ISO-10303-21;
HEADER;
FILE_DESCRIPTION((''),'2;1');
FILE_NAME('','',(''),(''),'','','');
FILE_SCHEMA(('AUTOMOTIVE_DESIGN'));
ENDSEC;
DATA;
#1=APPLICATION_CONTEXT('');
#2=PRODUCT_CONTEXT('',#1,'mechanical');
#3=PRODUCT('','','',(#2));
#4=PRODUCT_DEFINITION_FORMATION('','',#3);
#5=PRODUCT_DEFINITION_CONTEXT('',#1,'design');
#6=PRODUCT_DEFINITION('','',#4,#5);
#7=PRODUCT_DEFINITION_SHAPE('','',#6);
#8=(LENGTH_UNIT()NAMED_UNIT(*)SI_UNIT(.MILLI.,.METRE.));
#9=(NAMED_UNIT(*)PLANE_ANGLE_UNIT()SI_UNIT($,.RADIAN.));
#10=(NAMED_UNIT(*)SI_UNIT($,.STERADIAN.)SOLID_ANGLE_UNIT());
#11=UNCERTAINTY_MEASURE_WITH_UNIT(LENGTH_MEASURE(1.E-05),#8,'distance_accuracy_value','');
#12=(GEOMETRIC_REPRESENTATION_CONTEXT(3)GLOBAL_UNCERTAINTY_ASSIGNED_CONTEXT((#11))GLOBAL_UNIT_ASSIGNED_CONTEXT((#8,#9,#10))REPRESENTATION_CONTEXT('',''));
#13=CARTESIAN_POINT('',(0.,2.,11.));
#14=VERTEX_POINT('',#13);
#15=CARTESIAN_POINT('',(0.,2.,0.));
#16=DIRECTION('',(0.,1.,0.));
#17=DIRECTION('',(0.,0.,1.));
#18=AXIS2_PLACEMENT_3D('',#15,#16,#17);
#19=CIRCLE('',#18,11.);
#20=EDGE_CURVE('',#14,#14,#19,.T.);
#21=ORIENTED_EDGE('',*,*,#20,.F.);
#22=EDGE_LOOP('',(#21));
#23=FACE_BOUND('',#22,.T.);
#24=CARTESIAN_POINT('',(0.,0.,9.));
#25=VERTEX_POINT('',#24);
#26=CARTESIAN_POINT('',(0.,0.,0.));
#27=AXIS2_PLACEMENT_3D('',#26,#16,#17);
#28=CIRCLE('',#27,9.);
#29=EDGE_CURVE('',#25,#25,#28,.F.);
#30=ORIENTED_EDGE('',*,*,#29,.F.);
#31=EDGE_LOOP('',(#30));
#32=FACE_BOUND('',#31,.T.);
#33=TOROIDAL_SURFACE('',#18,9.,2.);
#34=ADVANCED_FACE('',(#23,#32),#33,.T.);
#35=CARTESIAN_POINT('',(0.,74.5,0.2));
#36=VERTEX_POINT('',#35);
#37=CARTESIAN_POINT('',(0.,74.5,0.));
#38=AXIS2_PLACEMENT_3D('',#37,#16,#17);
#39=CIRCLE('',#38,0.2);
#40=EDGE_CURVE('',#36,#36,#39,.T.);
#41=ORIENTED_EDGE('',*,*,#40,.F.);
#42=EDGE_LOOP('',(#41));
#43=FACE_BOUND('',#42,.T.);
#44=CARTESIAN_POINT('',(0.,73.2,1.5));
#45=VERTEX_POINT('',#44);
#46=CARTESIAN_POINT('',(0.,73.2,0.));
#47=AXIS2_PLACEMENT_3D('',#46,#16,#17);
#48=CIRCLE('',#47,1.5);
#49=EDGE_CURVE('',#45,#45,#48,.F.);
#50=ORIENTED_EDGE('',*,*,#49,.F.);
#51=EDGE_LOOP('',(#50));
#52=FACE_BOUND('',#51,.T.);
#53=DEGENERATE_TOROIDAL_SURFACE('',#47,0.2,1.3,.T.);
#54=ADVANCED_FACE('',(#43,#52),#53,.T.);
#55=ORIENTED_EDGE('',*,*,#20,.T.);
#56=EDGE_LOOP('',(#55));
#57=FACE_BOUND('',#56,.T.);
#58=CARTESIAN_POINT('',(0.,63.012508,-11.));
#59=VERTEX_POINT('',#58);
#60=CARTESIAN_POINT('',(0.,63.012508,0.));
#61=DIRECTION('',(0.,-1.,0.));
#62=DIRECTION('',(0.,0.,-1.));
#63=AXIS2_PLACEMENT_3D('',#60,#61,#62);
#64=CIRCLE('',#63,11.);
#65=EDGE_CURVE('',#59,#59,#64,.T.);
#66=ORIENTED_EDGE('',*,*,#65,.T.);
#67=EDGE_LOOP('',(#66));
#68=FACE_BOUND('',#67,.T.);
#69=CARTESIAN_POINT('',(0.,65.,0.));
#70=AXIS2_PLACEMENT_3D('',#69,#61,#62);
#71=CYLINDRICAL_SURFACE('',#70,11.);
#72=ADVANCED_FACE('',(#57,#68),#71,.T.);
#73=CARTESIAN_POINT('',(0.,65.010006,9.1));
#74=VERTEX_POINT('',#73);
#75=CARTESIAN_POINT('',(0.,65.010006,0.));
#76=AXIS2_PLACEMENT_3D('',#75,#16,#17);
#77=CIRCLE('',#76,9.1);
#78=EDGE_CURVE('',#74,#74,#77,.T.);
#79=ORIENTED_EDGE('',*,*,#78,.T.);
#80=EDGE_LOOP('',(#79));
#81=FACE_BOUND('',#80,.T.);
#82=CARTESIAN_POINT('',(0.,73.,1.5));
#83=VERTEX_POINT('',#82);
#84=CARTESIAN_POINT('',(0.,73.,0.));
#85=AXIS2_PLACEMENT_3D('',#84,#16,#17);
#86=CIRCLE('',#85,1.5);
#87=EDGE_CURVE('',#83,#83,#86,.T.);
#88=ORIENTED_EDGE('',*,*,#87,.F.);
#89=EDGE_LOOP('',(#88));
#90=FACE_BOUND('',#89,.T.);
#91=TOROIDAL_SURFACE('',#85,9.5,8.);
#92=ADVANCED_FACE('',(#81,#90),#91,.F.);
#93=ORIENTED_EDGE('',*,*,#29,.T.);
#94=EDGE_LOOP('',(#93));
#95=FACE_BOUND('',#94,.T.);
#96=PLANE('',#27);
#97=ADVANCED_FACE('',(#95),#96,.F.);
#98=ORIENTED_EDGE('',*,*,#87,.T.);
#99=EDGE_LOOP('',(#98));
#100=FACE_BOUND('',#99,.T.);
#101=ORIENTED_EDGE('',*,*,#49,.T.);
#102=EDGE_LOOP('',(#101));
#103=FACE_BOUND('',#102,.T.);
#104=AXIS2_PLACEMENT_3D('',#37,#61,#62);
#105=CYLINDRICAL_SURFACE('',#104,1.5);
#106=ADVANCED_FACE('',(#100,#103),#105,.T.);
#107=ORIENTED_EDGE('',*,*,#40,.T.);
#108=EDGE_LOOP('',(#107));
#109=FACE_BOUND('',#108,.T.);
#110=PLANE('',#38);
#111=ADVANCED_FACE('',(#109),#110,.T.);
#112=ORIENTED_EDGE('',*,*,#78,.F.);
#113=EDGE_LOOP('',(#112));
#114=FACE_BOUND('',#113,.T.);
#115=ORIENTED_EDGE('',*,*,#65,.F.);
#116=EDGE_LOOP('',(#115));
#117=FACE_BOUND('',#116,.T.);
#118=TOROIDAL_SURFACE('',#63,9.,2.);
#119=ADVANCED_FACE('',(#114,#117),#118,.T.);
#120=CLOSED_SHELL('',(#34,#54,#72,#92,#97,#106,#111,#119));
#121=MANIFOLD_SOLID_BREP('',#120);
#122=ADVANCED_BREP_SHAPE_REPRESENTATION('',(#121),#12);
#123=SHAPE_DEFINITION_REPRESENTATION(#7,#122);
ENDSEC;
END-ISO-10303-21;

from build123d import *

# Parameters (mm, degrees)
SKETCH1_R           = 11
BOSS_EXTRUDE1_DEPTH = 65
SKETCH2_R           = 1.5
BOSS_EXTRUDE2_DEPTH = 9.5
FILLET1_R           = 1.3
FILLET2_R           = 8
FILLET3_R           = 2
FILLET4_R           = 2


with BuildPart() as part:
    # Sketch1 → Boss-Extrude1 (new body)
    with BuildSketch(Plane(origin=(0, 0, 0), x_dir=(1, 0, 0), z_dir=(0, 1, 0))):
        Circle(SKETCH1_R)
    extrude(amount=BOSS_EXTRUDE1_DEPTH)

    # Sketch2 → Boss-Extrude2 (add)
    with BuildSketch(Plane(origin=(0, 65, 0), x_dir=(1, 0, 0), z_dir=(0, 1, 0))):
        Circle(SKETCH2_R)
    extrude(amount=BOSS_EXTRUDE2_DEPTH)

    # Fillet1
    fillet1_edges = [part.edges().sort_by_distance(p)[0] for p in [
        (-1.5, 74.5, 0),
    ]]
    fillet(fillet1_edges, radius=FILLET1_R)

    # Fillet2
    fillet2_edges = [part.edges().sort_by_distance(p)[0] for p in [
        (-1.5, 65, 0),
    ]]
    fillet(fillet2_edges, radius=FILLET2_R)

    # Fillet3
    fillet3_edges = [part.edges().sort_by_distance(p)[0] for p in [
        (-11, 65, 0),
    ]]
    fillet(fillet3_edges, radius=FILLET3_R)

    # Fillet4
    fillet4_edges = [part.edges().sort_by_distance(p)[0] for p in [
        (-11, 0, 0),
    ]]
    fillet(fillet4_edges, radius=FILLET4_R)


solid = part.part
